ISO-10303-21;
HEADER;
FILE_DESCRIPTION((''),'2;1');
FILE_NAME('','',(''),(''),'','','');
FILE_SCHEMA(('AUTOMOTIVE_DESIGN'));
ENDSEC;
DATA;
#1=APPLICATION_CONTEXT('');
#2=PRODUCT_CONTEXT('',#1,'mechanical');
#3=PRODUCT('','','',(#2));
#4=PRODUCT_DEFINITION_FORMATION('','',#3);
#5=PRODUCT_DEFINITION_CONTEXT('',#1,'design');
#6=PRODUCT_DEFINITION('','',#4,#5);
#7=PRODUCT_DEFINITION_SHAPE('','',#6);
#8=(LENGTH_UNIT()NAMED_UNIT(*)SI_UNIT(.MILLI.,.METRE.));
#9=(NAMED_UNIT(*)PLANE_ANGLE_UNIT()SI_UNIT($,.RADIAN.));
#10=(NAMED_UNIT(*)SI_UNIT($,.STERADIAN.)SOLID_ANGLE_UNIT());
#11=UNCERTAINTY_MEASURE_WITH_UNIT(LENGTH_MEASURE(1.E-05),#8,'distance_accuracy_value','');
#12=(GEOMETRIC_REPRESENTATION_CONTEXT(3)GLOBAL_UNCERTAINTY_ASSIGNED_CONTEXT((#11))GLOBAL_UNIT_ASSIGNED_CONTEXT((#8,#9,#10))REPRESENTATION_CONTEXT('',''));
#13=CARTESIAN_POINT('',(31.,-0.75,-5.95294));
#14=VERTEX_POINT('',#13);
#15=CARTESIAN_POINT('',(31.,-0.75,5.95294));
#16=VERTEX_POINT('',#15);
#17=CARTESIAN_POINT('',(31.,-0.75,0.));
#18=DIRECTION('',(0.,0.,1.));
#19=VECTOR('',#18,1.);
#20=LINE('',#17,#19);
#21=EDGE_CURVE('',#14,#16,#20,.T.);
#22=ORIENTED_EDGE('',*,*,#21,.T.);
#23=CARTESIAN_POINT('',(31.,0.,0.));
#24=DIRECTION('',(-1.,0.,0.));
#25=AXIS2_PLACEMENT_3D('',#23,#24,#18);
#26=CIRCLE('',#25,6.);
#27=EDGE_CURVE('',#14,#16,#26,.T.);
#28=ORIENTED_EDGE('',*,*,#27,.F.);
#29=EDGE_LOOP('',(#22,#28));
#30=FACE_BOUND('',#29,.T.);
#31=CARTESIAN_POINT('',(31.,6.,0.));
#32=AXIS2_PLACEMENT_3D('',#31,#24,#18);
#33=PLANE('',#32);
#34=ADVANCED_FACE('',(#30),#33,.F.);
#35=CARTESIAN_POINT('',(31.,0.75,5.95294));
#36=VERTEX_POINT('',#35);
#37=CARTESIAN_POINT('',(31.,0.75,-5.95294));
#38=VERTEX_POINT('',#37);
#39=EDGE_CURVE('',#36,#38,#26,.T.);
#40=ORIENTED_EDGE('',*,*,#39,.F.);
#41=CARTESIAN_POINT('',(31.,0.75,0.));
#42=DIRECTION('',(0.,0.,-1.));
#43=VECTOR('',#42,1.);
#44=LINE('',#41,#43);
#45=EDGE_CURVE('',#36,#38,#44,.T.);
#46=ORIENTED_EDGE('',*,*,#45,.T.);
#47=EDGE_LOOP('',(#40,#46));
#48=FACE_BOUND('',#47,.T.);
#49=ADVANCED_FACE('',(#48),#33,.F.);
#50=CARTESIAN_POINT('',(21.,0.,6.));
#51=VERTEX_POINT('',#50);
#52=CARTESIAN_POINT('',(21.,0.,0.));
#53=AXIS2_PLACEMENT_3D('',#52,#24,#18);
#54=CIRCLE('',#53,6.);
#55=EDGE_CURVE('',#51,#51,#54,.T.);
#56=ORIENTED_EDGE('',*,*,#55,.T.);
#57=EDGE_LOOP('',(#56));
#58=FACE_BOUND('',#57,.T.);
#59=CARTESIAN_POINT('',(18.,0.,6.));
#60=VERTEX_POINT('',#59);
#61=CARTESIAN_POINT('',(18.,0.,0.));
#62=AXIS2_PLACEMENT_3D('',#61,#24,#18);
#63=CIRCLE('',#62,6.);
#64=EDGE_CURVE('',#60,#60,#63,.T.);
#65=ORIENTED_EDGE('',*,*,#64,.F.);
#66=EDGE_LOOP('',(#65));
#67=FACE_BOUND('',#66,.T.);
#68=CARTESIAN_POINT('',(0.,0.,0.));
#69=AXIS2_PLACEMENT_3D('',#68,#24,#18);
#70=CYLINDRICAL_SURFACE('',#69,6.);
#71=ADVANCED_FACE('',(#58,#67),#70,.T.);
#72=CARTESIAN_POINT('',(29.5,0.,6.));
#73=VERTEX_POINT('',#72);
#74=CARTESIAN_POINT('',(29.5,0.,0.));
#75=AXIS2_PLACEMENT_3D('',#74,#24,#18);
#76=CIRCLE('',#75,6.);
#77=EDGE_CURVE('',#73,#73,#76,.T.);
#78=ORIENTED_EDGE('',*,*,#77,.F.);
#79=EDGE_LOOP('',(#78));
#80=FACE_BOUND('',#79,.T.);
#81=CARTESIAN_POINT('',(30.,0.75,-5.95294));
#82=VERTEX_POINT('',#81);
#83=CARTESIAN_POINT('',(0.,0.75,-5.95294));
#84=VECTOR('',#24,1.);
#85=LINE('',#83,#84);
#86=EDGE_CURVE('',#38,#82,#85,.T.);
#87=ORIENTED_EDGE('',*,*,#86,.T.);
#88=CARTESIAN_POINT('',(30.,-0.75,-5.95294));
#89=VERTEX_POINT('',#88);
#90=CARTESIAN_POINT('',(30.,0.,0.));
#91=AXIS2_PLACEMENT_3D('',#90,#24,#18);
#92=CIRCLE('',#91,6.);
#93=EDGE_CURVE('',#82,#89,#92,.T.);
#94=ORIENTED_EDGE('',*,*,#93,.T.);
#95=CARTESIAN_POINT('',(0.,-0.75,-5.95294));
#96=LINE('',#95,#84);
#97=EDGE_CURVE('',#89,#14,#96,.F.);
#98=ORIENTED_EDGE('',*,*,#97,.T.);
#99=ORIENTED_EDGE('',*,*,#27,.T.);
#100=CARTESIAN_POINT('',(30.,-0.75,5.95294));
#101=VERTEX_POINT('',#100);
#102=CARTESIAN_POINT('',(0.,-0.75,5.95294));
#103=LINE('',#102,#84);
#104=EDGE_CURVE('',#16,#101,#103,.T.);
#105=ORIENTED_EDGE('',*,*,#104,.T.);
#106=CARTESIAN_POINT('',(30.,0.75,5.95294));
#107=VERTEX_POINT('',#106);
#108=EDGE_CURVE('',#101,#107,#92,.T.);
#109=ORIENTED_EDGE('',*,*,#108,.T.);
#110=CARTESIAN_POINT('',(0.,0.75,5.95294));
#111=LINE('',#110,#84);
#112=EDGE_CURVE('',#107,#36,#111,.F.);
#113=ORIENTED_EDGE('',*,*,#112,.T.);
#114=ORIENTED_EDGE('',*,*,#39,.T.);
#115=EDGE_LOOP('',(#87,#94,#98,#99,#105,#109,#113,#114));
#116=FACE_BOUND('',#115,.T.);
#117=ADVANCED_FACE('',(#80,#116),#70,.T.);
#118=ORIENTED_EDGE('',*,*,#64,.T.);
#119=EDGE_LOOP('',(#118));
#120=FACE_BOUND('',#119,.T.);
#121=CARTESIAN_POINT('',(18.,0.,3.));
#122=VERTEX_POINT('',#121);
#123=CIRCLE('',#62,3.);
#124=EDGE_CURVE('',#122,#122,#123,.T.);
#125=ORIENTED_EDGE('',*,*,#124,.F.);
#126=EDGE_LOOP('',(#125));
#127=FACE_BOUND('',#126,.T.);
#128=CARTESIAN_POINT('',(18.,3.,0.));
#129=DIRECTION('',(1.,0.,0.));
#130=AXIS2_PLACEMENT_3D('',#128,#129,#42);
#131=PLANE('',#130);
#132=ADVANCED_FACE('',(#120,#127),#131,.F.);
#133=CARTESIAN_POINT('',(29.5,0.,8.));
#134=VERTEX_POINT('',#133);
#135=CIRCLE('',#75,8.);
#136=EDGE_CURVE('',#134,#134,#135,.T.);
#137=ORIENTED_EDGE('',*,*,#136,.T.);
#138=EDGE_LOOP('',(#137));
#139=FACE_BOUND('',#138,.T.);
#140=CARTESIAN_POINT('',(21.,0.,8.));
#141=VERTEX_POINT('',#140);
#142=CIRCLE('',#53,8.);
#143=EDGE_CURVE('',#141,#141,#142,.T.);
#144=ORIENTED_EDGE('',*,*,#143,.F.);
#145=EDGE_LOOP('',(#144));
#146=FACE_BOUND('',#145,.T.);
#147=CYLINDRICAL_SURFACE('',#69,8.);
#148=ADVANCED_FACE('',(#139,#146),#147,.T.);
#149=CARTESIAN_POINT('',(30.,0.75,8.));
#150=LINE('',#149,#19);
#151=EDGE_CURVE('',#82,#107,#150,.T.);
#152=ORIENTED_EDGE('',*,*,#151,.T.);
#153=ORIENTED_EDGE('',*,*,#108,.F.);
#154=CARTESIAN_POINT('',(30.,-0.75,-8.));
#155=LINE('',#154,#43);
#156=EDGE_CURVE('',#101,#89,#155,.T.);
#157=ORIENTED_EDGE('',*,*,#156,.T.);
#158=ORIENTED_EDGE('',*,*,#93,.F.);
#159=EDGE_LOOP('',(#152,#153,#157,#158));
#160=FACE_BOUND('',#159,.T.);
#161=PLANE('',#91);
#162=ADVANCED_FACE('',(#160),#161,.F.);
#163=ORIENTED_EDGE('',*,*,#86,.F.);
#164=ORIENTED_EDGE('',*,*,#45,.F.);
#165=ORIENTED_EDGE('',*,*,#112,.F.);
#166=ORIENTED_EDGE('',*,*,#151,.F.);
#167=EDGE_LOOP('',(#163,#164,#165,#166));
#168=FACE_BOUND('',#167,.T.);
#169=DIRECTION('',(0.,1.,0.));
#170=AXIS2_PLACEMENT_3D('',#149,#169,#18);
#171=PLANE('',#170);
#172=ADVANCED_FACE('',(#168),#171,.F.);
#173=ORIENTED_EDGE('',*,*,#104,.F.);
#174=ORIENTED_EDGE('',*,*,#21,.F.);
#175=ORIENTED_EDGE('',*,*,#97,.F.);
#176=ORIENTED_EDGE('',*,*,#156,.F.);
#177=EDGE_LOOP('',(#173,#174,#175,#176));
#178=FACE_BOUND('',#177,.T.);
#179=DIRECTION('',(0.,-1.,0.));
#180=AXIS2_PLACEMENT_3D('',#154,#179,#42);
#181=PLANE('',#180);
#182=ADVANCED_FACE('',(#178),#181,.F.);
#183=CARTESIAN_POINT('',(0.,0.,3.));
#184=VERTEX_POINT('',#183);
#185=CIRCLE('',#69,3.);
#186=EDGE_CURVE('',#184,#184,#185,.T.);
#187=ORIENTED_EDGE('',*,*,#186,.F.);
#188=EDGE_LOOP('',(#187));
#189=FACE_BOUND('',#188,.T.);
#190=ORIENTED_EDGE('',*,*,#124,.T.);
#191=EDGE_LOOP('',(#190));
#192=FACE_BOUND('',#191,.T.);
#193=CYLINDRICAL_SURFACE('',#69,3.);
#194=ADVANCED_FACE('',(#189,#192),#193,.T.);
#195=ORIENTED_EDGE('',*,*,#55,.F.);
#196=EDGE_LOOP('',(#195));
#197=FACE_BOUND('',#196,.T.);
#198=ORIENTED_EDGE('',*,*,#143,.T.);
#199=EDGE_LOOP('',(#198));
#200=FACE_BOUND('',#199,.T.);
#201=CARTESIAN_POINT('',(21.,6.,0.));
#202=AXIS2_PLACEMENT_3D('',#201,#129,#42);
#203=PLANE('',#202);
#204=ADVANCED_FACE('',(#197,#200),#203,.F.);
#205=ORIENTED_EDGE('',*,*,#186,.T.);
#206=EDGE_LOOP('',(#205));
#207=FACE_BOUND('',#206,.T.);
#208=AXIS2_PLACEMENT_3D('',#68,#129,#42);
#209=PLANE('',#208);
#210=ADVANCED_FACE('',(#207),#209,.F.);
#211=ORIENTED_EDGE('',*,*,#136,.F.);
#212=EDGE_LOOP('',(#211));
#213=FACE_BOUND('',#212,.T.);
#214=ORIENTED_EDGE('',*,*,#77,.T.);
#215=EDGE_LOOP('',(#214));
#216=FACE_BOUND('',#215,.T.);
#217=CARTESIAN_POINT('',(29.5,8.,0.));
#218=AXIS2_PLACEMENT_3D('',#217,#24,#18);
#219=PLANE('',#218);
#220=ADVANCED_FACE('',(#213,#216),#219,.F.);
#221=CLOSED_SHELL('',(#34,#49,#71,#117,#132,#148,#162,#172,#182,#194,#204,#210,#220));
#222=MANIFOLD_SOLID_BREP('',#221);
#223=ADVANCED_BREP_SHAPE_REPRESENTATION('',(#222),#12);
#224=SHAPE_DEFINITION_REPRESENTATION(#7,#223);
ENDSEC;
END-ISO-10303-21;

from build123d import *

# Parameters (mm, degrees)
SKETCH_2_W          = 16
SKETCH_2_H          = 1.5
CUT_EXTRUDE_1_DEPTH = 1


with BuildPart() as part:
    # Эскиз1 → Повернуть1 (revolve)
    with BuildSketch(Plane.XY, mode=Mode.PRIVATE) as revolve_1_sk:
        Polygon((0, 0), (0, 3), (18, 3), (18, 6), (21, 6), (21, 8), (29.5, 8), (29.5, 6), (31, 6), (31, 0), align=None)
    revolve(revolve_1_sk.sketch.rotate(Axis((0, 0, 0), (1, 0, 0)), 90), axis=Axis((0, 0, 0), (1, 0, 0)))

    # Эскиз2 → Вырез-Вытянуть1 (cut)
    with BuildSketch(Plane(origin=(31, 0, 0), x_dir=(0, 0, -1), z_dir=(1, 0, 0))):
        Rectangle(SKETCH_2_W, SKETCH_2_H)
    extrude(amount=-CUT_EXTRUDE_1_DEPTH, mode=Mode.SUBTRACT)


solid = part.part
